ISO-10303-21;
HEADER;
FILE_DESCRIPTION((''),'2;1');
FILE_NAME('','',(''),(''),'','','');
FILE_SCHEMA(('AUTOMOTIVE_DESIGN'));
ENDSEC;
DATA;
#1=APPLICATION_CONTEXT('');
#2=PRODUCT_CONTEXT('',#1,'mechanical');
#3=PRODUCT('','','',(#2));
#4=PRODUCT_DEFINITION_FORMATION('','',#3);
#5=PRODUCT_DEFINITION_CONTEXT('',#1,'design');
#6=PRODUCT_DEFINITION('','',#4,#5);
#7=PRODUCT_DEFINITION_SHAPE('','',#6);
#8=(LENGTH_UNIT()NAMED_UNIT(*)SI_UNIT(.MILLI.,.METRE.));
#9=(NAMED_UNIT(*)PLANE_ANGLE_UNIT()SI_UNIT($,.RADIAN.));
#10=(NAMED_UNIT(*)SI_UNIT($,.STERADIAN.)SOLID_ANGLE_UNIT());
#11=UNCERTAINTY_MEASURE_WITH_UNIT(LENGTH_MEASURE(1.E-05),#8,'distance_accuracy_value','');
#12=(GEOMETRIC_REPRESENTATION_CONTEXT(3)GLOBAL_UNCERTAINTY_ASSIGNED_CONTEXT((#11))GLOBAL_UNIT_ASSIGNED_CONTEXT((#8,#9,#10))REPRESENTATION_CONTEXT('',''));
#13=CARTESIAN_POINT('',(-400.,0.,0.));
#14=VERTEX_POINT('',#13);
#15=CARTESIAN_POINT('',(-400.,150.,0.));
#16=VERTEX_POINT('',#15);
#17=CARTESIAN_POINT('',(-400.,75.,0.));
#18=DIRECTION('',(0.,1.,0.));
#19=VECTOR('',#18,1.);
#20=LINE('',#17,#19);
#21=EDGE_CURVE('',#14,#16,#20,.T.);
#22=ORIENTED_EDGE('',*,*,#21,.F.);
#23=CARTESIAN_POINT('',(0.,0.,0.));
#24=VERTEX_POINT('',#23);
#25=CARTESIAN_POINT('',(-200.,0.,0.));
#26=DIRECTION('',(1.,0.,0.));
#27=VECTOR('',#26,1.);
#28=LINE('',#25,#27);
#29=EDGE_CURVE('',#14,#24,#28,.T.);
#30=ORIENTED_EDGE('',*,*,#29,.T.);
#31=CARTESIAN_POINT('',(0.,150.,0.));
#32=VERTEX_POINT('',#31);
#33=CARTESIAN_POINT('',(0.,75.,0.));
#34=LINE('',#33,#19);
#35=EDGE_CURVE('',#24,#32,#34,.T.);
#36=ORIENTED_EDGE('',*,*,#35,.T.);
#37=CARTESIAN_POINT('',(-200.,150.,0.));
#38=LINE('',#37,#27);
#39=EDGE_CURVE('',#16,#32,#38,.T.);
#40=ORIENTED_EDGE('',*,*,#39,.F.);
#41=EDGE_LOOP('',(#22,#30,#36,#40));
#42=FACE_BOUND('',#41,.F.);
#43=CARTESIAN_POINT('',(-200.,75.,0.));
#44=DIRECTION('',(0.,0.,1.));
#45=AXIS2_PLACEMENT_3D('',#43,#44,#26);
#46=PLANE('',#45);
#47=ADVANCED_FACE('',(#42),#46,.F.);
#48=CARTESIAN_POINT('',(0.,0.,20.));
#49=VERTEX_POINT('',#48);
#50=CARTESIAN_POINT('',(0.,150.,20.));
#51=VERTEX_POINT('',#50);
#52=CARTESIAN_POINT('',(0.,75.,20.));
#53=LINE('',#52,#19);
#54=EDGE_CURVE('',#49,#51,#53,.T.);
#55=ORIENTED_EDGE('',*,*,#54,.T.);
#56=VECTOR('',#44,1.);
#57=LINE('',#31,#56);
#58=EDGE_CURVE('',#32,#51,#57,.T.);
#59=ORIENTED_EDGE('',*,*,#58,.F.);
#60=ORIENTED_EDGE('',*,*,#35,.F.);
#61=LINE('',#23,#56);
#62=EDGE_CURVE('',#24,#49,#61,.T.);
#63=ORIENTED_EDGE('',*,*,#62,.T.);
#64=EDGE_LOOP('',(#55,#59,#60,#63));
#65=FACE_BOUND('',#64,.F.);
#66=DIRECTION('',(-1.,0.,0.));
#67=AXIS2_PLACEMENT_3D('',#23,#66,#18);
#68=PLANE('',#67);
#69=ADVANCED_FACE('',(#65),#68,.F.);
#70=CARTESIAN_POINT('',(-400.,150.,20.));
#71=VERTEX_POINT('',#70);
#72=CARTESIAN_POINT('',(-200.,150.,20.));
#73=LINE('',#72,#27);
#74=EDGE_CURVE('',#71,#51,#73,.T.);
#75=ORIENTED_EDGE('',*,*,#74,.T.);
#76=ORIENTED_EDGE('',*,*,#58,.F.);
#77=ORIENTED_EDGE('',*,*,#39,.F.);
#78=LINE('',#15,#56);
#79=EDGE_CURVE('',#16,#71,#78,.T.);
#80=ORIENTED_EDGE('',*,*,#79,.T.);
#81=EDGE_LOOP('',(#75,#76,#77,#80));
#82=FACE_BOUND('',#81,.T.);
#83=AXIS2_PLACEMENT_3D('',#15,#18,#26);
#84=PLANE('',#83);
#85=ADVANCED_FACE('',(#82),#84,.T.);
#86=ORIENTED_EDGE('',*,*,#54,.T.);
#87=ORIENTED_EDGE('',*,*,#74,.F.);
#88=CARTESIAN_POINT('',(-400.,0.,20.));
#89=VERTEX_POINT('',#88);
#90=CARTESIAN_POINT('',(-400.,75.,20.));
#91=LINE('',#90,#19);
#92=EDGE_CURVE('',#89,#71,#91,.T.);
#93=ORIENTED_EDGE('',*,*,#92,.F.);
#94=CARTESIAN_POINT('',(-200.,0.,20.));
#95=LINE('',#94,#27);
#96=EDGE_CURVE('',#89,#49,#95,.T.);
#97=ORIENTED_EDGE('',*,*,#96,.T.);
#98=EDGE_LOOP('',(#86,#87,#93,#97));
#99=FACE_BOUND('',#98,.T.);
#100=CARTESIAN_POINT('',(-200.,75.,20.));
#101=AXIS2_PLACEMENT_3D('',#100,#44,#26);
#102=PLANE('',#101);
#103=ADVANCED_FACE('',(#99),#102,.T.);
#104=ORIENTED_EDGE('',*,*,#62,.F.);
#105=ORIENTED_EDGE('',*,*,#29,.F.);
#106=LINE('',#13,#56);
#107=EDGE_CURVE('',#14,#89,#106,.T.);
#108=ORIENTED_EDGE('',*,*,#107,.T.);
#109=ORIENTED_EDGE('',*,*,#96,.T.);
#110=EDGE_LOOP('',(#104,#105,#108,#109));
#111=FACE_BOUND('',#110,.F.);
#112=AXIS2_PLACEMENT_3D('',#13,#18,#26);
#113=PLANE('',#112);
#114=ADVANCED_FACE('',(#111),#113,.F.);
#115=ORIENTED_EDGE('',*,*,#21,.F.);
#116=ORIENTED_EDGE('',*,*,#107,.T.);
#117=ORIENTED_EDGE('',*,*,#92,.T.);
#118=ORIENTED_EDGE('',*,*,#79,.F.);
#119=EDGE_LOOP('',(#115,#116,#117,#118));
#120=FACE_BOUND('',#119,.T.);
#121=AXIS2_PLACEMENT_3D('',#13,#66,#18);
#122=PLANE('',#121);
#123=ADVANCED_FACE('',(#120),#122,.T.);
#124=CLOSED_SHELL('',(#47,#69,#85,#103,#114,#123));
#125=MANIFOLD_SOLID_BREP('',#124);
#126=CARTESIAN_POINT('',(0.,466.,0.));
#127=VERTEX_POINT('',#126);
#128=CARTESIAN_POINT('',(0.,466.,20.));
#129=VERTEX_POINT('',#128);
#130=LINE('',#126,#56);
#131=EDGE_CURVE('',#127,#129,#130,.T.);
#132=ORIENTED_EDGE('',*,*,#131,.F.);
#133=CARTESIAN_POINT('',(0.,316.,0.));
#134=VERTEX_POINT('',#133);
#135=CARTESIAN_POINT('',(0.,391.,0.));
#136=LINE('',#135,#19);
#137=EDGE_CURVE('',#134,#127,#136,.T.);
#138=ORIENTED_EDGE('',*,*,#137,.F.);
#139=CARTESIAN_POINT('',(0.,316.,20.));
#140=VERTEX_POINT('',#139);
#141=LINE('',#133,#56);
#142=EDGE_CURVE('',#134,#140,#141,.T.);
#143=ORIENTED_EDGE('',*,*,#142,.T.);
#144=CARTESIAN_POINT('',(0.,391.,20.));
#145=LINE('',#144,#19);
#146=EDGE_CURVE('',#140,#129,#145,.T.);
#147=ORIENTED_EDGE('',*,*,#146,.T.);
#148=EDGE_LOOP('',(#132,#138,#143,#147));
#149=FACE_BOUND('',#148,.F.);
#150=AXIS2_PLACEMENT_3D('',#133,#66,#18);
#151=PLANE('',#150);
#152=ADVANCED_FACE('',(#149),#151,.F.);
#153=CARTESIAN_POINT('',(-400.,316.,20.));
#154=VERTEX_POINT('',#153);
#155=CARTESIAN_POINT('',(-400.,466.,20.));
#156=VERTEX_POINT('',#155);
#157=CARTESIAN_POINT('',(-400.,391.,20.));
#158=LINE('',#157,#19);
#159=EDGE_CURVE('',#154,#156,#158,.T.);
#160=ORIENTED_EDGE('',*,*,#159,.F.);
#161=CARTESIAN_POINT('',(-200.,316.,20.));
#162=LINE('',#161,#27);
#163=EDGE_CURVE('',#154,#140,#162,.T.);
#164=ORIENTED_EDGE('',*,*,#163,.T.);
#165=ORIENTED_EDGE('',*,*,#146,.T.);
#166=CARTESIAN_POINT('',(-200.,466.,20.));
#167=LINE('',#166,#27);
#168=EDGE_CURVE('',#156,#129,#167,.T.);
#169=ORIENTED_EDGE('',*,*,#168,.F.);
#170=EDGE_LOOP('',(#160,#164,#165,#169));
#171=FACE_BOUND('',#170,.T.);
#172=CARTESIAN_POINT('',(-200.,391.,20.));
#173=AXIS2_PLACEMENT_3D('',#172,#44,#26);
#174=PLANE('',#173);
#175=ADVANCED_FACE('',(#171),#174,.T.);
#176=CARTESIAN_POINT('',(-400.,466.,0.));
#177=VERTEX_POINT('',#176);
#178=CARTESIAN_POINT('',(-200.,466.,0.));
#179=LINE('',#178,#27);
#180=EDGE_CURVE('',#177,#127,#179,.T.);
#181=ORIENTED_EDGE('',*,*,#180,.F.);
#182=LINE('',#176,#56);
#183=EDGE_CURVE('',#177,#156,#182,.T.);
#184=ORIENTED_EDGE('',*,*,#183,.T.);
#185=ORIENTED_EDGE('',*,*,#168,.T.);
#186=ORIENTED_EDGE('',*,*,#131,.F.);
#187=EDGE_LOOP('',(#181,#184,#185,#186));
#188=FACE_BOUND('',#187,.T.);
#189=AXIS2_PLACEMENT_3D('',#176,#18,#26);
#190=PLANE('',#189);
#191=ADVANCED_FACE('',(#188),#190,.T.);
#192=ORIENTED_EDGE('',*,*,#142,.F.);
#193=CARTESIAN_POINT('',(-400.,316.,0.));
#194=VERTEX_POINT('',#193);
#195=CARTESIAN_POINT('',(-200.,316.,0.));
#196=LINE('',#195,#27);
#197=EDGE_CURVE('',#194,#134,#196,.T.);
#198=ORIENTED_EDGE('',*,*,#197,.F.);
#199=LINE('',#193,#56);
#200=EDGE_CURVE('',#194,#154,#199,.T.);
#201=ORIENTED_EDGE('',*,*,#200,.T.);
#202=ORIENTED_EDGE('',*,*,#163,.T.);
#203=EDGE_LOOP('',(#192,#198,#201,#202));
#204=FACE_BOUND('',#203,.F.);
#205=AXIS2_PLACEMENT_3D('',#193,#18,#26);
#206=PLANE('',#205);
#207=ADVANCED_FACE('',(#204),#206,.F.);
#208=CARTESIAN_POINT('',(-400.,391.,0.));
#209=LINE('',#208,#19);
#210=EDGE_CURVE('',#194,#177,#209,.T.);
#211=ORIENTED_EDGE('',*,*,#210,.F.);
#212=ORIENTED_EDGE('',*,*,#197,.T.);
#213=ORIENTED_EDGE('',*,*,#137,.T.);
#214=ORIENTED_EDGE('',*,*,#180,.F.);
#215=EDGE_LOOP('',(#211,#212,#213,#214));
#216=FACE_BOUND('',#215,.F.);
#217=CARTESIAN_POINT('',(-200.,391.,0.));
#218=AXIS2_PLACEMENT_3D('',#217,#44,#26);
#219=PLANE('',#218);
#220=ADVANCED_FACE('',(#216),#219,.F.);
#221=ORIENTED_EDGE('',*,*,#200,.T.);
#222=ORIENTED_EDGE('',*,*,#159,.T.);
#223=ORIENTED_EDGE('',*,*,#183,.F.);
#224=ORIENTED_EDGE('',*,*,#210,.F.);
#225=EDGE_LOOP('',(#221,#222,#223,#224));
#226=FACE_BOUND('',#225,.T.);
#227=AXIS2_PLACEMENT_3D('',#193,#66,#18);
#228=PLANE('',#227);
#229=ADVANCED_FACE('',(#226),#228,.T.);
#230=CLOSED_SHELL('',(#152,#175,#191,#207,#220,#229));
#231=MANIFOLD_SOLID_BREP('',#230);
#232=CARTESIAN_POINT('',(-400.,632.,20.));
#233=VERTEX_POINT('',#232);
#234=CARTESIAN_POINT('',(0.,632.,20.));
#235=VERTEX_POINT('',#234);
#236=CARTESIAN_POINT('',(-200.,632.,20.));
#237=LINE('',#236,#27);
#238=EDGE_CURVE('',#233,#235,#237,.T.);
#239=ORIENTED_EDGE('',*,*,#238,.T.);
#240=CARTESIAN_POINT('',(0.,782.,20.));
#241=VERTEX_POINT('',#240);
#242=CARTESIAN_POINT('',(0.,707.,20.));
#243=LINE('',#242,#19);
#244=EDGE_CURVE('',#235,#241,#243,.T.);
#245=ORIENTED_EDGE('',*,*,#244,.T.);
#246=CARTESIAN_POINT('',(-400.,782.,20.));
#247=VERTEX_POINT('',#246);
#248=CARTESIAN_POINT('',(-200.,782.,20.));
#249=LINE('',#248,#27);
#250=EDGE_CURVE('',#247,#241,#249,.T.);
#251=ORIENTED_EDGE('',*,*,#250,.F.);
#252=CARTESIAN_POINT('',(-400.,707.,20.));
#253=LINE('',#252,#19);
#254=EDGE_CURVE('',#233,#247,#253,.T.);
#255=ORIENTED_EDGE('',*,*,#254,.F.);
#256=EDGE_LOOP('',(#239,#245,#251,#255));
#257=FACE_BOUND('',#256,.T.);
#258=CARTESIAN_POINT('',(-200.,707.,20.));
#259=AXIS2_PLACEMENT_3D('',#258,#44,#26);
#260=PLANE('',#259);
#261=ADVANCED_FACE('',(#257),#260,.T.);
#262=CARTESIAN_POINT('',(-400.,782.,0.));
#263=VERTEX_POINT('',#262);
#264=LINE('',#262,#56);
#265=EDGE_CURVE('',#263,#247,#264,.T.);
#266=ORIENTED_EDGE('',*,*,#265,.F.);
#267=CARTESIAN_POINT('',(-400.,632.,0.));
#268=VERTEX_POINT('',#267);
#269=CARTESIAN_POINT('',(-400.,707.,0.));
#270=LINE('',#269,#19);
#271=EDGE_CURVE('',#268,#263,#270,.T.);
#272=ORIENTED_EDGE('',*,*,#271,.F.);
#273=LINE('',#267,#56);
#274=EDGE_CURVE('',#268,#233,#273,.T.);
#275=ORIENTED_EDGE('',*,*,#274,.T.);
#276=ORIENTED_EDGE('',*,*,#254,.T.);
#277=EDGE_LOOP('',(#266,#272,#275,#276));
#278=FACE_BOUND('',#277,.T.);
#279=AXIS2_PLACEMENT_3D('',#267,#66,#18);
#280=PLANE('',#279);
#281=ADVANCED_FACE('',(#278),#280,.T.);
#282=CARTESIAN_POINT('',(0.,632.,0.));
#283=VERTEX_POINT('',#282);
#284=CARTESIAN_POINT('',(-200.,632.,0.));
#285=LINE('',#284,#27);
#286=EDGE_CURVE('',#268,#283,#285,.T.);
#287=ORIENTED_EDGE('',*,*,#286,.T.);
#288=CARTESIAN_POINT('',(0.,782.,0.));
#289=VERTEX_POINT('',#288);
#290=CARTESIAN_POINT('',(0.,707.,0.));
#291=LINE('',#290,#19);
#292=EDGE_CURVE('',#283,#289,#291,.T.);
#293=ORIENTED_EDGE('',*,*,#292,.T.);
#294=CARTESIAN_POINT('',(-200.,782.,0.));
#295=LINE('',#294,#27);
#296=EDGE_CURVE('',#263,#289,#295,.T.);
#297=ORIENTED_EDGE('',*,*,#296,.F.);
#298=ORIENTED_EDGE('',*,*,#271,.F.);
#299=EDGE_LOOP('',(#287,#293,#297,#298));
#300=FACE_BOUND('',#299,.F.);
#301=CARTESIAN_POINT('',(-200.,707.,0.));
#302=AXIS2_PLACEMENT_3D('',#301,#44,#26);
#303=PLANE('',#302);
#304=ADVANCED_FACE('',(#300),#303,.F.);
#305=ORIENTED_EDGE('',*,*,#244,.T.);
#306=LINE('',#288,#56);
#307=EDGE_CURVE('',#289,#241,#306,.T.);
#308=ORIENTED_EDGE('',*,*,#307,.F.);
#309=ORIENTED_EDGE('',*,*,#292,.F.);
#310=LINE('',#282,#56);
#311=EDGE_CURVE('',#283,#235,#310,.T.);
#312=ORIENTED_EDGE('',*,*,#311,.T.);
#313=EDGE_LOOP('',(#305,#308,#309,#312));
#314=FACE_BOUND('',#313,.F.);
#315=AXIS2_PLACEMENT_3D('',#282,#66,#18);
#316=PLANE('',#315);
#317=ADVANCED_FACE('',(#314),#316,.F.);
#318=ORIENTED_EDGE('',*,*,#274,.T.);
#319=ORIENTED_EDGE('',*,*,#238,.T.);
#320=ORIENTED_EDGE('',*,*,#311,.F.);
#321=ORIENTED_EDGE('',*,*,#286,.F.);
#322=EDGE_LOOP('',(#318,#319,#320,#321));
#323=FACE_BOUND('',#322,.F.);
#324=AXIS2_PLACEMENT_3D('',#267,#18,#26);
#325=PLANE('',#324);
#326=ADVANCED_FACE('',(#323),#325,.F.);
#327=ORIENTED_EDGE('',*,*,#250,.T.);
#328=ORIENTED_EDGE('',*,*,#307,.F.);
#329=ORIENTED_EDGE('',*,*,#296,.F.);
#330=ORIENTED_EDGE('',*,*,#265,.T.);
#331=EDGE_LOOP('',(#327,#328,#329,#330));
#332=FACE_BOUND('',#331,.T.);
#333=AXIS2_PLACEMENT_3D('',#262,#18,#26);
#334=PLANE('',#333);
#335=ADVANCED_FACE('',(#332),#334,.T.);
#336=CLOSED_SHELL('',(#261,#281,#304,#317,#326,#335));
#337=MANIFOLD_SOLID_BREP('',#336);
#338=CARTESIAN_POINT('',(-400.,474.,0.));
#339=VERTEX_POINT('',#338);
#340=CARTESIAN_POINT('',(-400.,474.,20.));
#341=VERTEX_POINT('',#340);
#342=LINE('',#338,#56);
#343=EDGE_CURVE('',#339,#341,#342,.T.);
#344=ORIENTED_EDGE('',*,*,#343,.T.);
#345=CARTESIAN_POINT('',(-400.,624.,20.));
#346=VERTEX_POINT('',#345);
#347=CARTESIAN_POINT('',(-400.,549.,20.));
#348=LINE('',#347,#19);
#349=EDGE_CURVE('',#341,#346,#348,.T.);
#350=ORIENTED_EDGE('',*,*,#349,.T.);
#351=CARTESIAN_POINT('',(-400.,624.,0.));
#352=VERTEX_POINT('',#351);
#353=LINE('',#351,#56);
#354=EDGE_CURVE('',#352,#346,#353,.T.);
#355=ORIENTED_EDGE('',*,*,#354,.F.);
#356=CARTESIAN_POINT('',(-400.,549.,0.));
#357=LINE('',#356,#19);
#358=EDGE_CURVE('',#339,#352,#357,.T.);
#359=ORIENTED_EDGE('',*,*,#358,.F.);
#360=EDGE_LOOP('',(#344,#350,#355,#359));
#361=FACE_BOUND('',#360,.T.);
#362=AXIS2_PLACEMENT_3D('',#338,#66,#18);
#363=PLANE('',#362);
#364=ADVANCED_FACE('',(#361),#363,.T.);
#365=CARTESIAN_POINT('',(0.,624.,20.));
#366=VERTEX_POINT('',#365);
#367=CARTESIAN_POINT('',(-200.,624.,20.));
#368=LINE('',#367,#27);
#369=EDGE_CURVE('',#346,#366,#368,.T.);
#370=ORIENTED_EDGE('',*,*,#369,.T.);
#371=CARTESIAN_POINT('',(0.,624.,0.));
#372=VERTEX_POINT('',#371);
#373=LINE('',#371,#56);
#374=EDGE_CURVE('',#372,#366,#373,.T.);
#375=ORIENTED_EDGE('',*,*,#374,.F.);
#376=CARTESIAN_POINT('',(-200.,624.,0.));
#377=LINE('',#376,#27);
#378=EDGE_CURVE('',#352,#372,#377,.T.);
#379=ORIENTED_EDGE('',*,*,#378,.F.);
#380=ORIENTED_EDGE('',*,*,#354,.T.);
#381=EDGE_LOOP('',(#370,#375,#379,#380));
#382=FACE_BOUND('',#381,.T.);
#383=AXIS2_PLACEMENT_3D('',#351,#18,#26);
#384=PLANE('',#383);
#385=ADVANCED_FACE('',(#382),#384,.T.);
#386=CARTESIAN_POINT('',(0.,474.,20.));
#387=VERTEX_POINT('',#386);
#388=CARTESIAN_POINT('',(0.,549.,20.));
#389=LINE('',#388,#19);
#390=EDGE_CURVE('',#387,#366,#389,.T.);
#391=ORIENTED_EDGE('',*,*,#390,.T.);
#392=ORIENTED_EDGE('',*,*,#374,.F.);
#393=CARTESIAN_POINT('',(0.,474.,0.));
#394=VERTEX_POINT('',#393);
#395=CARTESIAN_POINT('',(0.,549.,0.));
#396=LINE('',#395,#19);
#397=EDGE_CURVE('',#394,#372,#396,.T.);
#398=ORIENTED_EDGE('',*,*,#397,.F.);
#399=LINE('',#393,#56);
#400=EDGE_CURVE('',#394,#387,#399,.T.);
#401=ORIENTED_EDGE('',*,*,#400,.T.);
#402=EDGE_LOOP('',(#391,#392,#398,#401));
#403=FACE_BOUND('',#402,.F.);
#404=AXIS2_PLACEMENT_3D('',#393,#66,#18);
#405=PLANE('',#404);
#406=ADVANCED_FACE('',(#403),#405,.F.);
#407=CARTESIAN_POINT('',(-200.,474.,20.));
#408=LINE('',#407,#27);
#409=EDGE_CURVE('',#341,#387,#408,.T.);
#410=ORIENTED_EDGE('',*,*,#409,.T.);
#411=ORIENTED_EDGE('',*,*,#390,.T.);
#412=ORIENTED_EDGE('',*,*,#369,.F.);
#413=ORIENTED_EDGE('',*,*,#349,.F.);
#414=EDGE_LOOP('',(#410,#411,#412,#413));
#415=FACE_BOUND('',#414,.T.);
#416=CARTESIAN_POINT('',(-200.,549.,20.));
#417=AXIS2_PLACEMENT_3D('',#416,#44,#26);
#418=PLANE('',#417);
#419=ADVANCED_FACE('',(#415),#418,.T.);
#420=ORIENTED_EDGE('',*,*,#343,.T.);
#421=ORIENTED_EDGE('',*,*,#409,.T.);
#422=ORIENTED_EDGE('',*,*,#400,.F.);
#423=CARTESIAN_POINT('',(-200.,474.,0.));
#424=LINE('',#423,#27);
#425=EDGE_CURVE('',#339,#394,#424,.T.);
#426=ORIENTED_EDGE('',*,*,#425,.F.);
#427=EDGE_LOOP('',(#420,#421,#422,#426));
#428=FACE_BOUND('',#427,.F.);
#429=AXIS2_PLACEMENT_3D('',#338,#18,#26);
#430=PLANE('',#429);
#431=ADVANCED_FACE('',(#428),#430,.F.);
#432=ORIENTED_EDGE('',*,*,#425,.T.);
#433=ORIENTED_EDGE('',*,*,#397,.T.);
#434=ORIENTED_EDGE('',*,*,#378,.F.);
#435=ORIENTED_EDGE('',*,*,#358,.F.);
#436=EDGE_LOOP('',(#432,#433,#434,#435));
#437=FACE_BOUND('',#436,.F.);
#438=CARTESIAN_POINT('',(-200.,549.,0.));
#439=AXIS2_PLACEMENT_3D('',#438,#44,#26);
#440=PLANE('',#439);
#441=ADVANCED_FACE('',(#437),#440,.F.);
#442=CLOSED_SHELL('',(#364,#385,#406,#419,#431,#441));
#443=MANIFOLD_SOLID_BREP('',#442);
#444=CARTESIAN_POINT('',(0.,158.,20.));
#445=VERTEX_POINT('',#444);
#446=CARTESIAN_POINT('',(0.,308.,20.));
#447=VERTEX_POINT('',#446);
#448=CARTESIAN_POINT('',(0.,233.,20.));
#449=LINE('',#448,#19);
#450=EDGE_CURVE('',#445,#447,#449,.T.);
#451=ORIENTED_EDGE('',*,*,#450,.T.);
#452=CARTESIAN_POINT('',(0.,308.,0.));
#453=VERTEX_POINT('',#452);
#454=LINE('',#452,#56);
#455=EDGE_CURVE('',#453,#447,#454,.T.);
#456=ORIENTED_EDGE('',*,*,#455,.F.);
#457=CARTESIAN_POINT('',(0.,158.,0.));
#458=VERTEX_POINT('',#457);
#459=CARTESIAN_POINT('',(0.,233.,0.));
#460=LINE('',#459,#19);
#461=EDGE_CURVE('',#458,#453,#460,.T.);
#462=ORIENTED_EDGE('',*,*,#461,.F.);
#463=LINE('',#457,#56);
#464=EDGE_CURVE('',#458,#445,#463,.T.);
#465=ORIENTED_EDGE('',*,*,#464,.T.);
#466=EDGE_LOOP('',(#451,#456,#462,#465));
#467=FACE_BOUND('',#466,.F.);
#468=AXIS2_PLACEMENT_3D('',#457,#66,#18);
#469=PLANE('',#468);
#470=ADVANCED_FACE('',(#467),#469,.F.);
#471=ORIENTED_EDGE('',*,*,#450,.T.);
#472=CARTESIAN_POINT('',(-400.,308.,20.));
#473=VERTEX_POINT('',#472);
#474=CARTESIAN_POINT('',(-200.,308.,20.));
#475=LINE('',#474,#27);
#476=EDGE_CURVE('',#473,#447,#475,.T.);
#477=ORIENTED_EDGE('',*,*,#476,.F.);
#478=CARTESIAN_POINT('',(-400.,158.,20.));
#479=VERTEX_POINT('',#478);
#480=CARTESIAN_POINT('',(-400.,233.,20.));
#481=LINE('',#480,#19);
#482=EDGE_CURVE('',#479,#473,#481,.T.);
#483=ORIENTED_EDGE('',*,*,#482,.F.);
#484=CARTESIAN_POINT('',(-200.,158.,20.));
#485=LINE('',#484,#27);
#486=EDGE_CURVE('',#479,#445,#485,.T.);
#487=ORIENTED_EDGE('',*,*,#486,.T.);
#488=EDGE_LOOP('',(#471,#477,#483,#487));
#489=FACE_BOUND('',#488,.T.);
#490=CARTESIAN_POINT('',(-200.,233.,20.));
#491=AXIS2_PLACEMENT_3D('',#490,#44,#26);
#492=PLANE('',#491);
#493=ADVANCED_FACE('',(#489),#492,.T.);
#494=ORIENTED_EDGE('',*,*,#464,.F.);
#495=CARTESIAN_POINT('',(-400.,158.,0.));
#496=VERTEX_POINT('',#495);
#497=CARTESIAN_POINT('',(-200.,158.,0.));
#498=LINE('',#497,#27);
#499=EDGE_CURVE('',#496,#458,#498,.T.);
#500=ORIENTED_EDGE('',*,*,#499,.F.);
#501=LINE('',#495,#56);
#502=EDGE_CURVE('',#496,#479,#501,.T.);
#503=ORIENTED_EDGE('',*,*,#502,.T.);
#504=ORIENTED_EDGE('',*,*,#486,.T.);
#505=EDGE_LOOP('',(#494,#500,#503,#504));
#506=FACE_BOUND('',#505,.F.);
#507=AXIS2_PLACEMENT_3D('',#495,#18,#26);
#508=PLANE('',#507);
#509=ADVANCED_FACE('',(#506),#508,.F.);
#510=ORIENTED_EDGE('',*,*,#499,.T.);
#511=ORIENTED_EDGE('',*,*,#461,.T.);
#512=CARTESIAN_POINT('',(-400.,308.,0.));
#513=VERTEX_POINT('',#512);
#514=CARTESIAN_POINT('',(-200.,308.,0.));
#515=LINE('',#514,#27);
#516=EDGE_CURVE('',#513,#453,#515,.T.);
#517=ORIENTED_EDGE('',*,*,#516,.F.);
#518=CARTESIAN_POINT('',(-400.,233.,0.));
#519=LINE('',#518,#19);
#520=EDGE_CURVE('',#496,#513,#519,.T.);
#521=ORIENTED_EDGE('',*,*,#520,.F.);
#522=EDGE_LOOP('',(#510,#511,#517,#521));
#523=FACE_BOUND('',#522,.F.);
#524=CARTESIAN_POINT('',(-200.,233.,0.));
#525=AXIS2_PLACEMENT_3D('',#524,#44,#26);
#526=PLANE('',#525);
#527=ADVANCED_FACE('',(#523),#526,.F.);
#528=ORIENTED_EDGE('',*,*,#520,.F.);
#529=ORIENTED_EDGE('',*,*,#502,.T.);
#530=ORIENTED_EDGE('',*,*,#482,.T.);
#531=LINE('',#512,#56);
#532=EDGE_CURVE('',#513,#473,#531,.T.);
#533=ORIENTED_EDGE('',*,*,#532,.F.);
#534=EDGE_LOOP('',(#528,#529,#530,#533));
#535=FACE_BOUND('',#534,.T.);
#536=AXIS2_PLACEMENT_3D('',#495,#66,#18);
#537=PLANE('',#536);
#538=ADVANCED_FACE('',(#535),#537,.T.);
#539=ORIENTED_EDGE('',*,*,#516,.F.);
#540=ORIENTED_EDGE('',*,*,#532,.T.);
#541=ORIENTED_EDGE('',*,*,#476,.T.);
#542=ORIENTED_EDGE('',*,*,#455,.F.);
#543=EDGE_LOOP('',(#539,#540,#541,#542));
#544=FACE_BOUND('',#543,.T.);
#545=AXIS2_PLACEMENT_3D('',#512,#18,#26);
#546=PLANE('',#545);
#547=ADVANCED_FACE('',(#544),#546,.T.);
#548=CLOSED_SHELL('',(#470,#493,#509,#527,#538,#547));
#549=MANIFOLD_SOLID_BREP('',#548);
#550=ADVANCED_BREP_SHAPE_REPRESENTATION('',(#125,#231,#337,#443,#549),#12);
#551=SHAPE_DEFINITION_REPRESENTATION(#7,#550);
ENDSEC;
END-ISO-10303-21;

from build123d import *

# Parameters (mm, degrees)
F0_W     = 400
F0_H     = 150
F1_DEPTH = 20


with BuildPart() as f1:
    # F0 (on Top) → F1 (new body)
    with BuildSketch(Plane.XY):
        with Locations((-200, 75)):
            Rectangle(F0_W, F0_H)
        with Locations((-200, 233)):
            Rectangle(F0_W, F0_H)
        with Locations((-200, 391)):
            Rectangle(F0_W, F0_H)
        with Locations((-200, 549)):
            Rectangle(F0_W, F0_H)
        with Locations((-200, 707)):
            Rectangle(F0_W, F0_H)
    extrude(amount=F1_DEPTH)


solid = f1.part
